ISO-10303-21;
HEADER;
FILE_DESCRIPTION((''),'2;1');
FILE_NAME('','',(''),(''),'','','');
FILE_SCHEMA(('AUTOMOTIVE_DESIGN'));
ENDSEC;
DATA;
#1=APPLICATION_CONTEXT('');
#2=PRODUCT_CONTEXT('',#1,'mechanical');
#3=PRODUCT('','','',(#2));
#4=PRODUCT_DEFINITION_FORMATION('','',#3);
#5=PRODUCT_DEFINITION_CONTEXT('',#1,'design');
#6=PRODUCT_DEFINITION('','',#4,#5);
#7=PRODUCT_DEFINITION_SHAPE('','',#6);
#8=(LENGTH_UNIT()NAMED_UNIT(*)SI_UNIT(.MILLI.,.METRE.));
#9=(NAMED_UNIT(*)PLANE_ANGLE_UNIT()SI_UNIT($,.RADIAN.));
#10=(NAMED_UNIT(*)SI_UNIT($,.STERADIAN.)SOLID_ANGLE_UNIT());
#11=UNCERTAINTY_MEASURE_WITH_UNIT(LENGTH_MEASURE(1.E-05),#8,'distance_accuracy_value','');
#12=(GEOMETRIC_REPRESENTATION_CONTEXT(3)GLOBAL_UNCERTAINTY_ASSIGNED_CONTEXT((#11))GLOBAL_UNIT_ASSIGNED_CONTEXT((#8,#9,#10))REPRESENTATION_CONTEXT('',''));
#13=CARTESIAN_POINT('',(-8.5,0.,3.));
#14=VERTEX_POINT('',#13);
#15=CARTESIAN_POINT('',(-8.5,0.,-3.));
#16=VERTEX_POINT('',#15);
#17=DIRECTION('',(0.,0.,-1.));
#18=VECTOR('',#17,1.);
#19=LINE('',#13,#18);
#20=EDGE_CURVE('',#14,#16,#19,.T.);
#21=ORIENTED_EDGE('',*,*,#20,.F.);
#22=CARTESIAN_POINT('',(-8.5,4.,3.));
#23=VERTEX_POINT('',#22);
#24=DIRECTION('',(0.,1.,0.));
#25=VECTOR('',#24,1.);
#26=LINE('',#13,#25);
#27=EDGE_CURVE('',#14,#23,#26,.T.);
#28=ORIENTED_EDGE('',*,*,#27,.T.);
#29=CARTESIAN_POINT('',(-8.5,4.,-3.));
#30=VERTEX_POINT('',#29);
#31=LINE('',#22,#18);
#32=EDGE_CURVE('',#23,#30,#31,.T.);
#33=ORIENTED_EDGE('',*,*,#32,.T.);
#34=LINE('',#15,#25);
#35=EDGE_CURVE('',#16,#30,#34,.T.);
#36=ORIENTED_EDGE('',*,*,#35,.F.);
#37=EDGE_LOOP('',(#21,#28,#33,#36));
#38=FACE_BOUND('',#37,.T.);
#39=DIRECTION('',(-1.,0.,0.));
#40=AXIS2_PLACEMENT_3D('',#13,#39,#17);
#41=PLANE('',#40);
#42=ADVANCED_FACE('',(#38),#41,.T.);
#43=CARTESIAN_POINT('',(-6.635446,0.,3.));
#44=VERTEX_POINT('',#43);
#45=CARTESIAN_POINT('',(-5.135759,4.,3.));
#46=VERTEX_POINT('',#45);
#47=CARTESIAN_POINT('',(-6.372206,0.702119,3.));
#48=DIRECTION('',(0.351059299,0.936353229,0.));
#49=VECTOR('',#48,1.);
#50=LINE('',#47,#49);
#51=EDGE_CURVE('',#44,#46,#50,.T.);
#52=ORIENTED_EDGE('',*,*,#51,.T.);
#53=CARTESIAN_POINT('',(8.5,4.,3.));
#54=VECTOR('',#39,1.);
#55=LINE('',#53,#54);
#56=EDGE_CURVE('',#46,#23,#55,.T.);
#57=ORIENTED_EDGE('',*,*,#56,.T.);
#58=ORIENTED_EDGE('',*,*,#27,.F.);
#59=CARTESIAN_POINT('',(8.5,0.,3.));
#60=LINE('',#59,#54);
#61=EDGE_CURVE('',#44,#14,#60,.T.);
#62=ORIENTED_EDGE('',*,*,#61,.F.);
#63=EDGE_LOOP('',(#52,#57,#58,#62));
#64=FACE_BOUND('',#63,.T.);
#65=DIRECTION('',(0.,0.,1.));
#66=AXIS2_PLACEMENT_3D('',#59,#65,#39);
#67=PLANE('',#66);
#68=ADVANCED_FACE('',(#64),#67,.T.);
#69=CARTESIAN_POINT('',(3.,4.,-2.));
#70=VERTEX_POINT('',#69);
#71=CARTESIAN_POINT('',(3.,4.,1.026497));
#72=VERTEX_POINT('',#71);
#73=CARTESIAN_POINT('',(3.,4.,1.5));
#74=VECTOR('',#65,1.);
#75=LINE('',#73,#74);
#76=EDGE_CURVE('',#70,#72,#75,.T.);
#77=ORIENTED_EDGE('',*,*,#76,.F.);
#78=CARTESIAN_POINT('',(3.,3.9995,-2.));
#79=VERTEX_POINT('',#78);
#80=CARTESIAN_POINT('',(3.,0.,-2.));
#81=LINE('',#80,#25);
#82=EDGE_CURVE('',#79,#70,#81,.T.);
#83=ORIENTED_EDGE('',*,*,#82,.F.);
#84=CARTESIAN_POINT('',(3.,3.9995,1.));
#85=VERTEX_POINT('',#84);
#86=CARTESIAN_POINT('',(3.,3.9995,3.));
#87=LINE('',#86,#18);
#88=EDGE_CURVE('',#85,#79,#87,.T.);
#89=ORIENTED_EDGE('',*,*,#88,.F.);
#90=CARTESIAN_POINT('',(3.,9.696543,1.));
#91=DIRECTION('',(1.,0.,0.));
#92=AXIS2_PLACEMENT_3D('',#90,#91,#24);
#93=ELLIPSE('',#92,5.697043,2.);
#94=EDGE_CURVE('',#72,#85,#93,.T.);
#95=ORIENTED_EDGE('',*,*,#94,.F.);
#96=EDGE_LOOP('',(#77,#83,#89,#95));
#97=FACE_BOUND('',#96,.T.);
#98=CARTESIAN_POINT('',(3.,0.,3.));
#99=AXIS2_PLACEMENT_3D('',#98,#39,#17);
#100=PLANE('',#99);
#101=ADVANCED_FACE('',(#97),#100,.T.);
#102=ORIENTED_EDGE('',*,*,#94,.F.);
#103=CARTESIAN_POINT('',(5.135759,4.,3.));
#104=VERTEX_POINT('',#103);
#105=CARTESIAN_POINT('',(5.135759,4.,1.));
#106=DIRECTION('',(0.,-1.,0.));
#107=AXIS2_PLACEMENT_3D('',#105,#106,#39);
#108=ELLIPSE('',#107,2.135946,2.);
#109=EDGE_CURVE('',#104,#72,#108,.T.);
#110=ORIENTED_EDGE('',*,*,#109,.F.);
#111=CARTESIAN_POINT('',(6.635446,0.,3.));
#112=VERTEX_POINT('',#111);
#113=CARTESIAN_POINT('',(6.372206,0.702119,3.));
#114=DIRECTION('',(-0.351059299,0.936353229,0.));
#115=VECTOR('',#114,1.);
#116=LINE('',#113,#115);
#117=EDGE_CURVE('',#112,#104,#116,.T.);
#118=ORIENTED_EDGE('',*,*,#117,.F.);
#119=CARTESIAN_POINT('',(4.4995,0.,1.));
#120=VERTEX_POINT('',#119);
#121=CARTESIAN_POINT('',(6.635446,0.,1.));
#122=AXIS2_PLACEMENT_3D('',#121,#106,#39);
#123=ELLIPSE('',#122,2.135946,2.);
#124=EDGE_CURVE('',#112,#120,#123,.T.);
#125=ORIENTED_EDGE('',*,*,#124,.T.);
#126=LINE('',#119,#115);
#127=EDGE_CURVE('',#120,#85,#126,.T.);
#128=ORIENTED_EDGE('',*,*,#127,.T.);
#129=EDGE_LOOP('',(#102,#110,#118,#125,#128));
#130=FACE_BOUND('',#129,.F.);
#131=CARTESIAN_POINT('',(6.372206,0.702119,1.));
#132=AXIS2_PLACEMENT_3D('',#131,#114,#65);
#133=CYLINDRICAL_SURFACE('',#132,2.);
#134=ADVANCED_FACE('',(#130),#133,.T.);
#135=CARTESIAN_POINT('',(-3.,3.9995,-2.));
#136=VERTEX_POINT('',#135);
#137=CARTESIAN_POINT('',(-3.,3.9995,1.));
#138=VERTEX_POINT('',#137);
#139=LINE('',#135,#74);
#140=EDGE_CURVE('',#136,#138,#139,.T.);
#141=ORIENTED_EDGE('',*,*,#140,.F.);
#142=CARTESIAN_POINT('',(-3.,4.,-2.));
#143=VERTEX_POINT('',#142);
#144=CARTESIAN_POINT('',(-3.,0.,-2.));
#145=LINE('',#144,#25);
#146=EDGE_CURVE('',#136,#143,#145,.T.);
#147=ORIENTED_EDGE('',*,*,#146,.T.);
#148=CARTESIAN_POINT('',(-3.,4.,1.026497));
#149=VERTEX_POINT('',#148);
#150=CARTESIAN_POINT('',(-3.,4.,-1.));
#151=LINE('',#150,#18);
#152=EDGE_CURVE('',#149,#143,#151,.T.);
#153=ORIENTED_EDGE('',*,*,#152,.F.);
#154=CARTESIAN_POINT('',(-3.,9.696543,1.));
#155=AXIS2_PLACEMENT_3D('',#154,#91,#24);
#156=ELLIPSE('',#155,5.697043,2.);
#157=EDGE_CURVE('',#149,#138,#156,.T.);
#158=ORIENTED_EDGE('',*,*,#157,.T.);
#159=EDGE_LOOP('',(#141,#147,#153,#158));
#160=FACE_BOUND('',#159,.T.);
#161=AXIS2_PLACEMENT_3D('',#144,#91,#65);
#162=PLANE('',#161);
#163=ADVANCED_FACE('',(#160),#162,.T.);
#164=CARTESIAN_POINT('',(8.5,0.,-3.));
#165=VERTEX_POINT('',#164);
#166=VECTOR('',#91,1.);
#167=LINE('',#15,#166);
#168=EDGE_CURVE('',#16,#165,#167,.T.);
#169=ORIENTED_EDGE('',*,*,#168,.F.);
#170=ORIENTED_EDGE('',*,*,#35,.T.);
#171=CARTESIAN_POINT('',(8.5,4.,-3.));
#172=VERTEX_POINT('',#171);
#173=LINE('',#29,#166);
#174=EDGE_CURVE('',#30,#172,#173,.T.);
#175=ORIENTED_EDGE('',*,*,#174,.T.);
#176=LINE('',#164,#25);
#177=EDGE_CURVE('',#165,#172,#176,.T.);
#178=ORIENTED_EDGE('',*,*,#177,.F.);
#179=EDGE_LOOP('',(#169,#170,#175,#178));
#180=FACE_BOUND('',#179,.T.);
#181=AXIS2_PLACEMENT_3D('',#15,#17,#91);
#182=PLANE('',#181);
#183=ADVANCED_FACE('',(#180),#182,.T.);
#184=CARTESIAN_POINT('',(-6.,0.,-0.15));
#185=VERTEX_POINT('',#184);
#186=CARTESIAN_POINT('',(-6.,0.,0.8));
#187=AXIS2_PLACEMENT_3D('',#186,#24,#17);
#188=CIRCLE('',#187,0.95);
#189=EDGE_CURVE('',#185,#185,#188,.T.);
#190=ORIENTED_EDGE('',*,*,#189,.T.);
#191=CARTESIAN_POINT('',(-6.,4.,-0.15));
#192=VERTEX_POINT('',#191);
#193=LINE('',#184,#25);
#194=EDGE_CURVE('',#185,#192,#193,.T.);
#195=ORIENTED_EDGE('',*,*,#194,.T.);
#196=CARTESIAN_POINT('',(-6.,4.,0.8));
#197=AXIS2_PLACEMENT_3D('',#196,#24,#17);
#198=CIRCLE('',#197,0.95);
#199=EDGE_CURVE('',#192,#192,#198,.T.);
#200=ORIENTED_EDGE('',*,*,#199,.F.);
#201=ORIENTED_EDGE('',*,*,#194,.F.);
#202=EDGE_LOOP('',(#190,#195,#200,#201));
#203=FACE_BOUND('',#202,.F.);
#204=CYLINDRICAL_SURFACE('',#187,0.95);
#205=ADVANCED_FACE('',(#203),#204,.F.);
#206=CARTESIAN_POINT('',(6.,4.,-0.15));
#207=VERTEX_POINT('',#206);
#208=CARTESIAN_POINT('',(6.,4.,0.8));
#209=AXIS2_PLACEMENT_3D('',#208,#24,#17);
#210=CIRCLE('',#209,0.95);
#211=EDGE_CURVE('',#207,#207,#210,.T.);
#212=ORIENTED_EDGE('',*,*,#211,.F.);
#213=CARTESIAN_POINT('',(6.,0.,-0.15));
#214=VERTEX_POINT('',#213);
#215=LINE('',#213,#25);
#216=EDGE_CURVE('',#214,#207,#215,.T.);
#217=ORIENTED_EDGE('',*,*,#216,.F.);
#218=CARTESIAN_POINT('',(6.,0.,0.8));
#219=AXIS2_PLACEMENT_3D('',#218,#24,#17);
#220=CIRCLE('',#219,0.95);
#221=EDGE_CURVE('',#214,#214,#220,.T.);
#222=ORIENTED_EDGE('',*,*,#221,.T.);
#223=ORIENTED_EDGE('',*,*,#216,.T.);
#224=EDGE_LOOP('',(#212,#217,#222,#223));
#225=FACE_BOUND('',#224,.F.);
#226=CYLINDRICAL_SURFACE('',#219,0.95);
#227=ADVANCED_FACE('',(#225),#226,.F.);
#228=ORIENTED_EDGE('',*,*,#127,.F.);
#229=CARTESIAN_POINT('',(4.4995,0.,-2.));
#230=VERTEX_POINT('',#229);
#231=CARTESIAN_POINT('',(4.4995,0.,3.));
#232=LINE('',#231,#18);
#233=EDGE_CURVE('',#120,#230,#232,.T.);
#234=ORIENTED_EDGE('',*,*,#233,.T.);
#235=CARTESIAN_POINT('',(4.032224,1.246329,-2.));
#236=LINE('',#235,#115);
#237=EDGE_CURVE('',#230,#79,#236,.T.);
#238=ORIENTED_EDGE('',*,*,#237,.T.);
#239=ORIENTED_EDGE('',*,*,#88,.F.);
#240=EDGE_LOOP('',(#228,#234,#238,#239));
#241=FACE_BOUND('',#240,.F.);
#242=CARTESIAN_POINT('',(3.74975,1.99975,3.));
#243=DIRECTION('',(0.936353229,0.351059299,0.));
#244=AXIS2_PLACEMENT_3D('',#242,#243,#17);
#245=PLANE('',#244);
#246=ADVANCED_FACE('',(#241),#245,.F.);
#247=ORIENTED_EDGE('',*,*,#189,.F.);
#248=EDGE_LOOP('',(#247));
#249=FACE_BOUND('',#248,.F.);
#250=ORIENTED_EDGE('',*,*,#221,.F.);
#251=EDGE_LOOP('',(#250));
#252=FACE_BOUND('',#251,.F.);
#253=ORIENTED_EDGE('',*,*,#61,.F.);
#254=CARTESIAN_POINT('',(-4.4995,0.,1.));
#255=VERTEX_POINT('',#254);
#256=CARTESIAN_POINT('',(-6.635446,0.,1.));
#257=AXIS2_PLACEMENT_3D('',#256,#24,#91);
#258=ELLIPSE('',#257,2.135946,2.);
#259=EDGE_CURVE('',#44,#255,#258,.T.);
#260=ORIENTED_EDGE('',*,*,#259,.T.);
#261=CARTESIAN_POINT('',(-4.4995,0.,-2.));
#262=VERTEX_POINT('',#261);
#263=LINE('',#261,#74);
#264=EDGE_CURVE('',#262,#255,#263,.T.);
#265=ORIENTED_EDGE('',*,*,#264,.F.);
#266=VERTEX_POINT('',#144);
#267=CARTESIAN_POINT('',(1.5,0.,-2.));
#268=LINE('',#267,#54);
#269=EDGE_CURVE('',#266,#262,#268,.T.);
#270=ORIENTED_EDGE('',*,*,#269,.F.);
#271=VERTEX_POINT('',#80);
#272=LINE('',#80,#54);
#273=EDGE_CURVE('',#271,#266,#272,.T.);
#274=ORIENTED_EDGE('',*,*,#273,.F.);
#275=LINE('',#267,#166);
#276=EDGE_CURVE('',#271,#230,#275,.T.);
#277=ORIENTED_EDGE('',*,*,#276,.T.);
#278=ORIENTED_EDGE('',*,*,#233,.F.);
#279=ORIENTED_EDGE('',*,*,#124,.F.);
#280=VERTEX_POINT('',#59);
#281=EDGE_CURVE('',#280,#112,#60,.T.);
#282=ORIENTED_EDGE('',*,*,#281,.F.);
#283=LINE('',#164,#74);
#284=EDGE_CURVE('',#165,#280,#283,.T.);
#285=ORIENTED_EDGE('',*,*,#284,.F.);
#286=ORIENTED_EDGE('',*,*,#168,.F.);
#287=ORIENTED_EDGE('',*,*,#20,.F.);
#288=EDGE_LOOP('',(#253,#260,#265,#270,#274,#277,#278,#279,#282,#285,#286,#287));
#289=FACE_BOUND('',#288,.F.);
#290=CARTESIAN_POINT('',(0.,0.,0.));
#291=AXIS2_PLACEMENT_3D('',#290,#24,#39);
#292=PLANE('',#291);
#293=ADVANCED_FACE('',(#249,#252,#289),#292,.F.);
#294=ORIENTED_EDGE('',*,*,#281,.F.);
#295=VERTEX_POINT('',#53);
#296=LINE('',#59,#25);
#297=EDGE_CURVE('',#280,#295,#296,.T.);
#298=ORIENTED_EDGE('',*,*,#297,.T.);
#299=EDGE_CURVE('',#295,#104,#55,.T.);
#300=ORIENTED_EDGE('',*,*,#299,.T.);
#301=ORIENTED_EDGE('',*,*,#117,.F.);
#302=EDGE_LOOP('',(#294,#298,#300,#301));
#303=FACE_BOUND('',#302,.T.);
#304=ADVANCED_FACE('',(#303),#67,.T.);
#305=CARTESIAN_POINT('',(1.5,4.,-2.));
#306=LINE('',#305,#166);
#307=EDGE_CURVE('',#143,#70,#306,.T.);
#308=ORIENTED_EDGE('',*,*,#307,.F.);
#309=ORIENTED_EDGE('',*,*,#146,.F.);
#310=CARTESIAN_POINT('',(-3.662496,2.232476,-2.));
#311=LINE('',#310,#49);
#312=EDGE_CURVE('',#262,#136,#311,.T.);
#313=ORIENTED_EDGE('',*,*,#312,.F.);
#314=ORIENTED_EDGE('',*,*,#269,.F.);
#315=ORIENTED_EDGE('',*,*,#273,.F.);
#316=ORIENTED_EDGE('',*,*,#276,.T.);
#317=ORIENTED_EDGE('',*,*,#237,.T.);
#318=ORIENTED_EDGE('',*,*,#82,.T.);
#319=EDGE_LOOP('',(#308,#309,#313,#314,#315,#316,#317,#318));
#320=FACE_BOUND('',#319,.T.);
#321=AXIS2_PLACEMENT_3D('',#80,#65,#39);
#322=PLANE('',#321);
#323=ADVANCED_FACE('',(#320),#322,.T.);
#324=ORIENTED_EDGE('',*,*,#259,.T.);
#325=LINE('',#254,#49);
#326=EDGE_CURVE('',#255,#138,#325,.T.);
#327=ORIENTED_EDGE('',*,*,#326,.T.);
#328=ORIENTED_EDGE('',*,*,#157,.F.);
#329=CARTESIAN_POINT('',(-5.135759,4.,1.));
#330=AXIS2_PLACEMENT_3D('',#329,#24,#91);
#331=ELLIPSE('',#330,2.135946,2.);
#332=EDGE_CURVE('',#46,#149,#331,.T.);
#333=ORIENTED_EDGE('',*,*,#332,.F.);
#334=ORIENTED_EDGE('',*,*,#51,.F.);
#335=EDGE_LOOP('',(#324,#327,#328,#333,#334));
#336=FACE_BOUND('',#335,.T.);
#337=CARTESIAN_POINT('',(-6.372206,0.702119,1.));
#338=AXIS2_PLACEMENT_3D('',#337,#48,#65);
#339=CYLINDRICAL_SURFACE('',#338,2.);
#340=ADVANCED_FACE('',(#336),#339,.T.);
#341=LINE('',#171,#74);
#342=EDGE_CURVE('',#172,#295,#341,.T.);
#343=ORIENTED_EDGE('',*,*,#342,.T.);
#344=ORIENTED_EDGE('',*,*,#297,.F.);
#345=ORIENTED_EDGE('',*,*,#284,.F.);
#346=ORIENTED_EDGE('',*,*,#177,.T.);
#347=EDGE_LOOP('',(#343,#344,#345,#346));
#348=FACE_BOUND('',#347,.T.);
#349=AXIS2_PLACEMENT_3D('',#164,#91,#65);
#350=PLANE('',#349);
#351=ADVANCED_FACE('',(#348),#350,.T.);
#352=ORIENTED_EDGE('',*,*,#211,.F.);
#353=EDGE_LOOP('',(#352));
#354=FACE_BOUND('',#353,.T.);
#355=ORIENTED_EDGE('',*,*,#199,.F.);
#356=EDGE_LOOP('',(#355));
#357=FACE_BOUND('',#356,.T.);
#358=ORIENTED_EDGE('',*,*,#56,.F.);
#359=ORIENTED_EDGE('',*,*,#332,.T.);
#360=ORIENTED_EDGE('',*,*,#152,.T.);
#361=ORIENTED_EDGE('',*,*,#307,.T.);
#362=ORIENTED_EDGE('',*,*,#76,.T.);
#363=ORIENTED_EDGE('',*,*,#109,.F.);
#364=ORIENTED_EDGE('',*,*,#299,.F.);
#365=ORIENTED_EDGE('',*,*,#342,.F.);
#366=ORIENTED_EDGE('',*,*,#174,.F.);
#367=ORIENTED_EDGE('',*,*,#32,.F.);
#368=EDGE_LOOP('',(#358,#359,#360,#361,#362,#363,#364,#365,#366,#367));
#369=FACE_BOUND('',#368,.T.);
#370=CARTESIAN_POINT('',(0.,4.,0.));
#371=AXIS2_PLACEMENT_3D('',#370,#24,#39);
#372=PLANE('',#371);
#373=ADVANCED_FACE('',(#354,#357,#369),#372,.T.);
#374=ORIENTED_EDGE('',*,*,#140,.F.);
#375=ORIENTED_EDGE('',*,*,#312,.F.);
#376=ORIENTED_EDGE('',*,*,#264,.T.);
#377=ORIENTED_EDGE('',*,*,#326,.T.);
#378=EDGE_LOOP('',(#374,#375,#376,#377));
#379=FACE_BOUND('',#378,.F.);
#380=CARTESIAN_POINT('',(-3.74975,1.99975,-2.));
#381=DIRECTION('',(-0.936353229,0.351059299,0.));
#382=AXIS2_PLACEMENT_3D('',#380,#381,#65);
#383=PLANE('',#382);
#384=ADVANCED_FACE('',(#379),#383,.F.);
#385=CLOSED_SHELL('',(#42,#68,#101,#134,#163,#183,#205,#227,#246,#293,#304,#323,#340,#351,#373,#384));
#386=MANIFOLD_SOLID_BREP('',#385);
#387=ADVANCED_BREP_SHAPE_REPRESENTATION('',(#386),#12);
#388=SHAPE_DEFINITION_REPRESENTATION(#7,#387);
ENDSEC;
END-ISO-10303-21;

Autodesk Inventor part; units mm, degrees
ref_plane "YZ Plane" through (0, 0, 0) normal (1, 0, 0) x (0, 1, 0)
ref_plane "XZ Plane" through (0, 0, 0) normal (0, 1, 0) x (-1, 0, 0)
ref_plane "XY Plane" through (0, 0, 0) normal (0, 0, 1) x (1, 0, 0)
sketch "Skizze1" plane through (0, 0, 0) normal (0, 1, 0) x (-1, 0, 0)
  line L0 (8.5, -3) -> (-8.5, -3)
  line L1 (-8.5, -3) -> (-8.5, 3)
  line L2 (-8.5, 3) -> (8.5, 3)
  line L3 (8.5, 3) -> (8.5, -3)
  line L4 (8.5, -3) -> (-8.5, 3) construction
  line L5 (-8.5, -3) -> (8.5, 3) construction
  point P0 (0, 0)
  dimension "d0" = 17
  dimension "d1" = 6
extrude "Extrusion1" add sketch "Skizze1" along normal blind 4
sketch "Skizze2" plane through (0, 0, 0) normal (0, -1, 0) x (1, 0, 0)
  line L0 (-11.9, 0) -> (11.9, 0) projected
  line L1 (0, 4.2) -> (0, -4.2) projected
  point P0 (0, 0)
  point P1 (-6, 0.8)
  point P2 (6, 0.8)
  dimension "d5" = 0.8
  dimension "d6" = 6
hole "Bohrung1" at (-6, 0, 0.8) at (6, 0, 0.8) direction (0, 1, 0) diameter 1.9 end through all
sketch "Skizze5" plane through (0, 0, 0) normal (0, -1, 0) x (1, 0, 0)
  line L0 (8.5, -3) -> (-8.5, -3) projected
  line L1 (8.5, 3) -> (8.5, -3) projected
  line L2 (-8.5, -3) -> (8.5, -3)
  line L3 (8.5, -3) -> (8.5, -2)
  line L4 (8.5, -2) -> (-8.5, -2)
  line L5 (-8.5, -2) -> (-8.5, -3)
  point P0 (0, 0)
  dimension "d29" = 1
extrude "Extrusion4" [suppressed]
sketch "Skizze6" plane through (0, 0, 0) normal (0, -1, 0) x (1, 0, 0)
  line L0 (8.5, -3) -> (8.5, 3) projected
  line L1 (8.5, 3) -> (-8.5, 3) projected
  line L2 (-8.5, 3) -> (-8.5, -3) projected
  circle A0 centre (-6, 0.8) radius 0.95 projected
  circle A1 centre (6, 0.8) radius 0.95 projected
  line L3 (8.5, 3) -> (-8.5, 3) projected
  line L4 (-3, 3) -> (3, 3)
  line L5 (3, 3) -> (3, -2)
  line L6 (3, -2) -> (-3, -2)
  line L7 (-3, -2) -> (-3, 3)
  line L8 (0, 4.2) -> (0, -4.2) projected
  line L9 (-8.5, -3) -> (8.5, -3) projected
  point P0 (0, 0)
  point P1 (0, 3)
  dimension "d32" = 6
extrude "Extrusion5" cut sketch "Skizze6" against normal through all contours L5 L6 L8 L1 | L6 L7 L1 L8
sketch "Skizze7" plane through (-8.5, -2, -2) normal (0, 0, 1) x (1, 0, 0)
  line L0 (0, 0) -> (1, 0)
  line L1 (1, 0) -> (1, 2)
  line L2 (1, 2) -> (0, 2)
  line L3 (0, 2) -> (0, 0)
  line L4 (17, 0) -> (0, 0) projected
  line L5 (11.5, 2) -> (17, 2) projected
  line L6 (17, 0) -> (16, 0)
  line L7 (16, 0) -> (16, 2)
  line L8 (16, 2) -> (17, 2)
  line L9 (17, 2) -> (17, 0)
  point P0 (8.5, 2)
  dimension "d35" = 1
  dimension "d36" = 1
extrude "Extrusion6" [suppressed]
chamfer "Fase4" [suppressed]
chamfer "Fase6" distance 1.5 distance2 4 1 edges at (-3, 0, 0.5) measured on face at (1, 0, -2.6667)
chamfer "Fase7" distance 1.5 distance2 4 1 edges at (3, 0, 0.5) measured on face at (-1, 0, -2.6667)
fillet "Rundung3" radius 2 4 edges at (-3.7498, 1.9998, 3) (-3, 3.9998, 3) (3.7497, 1.9997, 3) (3, 3.9997, 3)
sketch "Skizze8" plane through (0, 0, 0) normal (0, -1, 0) x (1, 0, 0)
  line L0 (-3, 3) -> (-7.5, 3) projected
  line L1 (-7.5, 3) -> (-7.5, -2) projected
  line L2 (-7.5, -2) -> (-3, -2) projected
  line L3 (-3, -2) -> (-3, 3) projected
  circle A0 centre (-6, 1) radius 0.95 projected
  line L4 (3, 3) -> (3, -2) projected
  line L5 (3, -2) -> (7.5, -2) projected
  line L6 (7.5, -2) -> (7.5, 3) projected
  line L7 (7.5, 3) -> (3, 3) projected
  circle A1 centre (6, 1) radius 0.95 projected
  line L8 (-7.5, 3) -> (-7.5, -2) projected
  line L9 (-7.5, -2) -> (-3, -2) projected
  line L10 (-3, -2) -> (-3, 3) projected
  line L11 (-3, 3) -> (-7.5, 3) projected
  line L12 (7.5, -2) -> (7.5, 3) projected
  line L13 (3, 3) -> (3, -2) projected
  line L14 (3, -2) -> (7.5, -2) projected
  line L15 (7.5, 3) -> (3, 3) projected
equation "\"d5\" = d4"
equation "\"d4\" = 0.8"
properties part number "LED Schirm"
